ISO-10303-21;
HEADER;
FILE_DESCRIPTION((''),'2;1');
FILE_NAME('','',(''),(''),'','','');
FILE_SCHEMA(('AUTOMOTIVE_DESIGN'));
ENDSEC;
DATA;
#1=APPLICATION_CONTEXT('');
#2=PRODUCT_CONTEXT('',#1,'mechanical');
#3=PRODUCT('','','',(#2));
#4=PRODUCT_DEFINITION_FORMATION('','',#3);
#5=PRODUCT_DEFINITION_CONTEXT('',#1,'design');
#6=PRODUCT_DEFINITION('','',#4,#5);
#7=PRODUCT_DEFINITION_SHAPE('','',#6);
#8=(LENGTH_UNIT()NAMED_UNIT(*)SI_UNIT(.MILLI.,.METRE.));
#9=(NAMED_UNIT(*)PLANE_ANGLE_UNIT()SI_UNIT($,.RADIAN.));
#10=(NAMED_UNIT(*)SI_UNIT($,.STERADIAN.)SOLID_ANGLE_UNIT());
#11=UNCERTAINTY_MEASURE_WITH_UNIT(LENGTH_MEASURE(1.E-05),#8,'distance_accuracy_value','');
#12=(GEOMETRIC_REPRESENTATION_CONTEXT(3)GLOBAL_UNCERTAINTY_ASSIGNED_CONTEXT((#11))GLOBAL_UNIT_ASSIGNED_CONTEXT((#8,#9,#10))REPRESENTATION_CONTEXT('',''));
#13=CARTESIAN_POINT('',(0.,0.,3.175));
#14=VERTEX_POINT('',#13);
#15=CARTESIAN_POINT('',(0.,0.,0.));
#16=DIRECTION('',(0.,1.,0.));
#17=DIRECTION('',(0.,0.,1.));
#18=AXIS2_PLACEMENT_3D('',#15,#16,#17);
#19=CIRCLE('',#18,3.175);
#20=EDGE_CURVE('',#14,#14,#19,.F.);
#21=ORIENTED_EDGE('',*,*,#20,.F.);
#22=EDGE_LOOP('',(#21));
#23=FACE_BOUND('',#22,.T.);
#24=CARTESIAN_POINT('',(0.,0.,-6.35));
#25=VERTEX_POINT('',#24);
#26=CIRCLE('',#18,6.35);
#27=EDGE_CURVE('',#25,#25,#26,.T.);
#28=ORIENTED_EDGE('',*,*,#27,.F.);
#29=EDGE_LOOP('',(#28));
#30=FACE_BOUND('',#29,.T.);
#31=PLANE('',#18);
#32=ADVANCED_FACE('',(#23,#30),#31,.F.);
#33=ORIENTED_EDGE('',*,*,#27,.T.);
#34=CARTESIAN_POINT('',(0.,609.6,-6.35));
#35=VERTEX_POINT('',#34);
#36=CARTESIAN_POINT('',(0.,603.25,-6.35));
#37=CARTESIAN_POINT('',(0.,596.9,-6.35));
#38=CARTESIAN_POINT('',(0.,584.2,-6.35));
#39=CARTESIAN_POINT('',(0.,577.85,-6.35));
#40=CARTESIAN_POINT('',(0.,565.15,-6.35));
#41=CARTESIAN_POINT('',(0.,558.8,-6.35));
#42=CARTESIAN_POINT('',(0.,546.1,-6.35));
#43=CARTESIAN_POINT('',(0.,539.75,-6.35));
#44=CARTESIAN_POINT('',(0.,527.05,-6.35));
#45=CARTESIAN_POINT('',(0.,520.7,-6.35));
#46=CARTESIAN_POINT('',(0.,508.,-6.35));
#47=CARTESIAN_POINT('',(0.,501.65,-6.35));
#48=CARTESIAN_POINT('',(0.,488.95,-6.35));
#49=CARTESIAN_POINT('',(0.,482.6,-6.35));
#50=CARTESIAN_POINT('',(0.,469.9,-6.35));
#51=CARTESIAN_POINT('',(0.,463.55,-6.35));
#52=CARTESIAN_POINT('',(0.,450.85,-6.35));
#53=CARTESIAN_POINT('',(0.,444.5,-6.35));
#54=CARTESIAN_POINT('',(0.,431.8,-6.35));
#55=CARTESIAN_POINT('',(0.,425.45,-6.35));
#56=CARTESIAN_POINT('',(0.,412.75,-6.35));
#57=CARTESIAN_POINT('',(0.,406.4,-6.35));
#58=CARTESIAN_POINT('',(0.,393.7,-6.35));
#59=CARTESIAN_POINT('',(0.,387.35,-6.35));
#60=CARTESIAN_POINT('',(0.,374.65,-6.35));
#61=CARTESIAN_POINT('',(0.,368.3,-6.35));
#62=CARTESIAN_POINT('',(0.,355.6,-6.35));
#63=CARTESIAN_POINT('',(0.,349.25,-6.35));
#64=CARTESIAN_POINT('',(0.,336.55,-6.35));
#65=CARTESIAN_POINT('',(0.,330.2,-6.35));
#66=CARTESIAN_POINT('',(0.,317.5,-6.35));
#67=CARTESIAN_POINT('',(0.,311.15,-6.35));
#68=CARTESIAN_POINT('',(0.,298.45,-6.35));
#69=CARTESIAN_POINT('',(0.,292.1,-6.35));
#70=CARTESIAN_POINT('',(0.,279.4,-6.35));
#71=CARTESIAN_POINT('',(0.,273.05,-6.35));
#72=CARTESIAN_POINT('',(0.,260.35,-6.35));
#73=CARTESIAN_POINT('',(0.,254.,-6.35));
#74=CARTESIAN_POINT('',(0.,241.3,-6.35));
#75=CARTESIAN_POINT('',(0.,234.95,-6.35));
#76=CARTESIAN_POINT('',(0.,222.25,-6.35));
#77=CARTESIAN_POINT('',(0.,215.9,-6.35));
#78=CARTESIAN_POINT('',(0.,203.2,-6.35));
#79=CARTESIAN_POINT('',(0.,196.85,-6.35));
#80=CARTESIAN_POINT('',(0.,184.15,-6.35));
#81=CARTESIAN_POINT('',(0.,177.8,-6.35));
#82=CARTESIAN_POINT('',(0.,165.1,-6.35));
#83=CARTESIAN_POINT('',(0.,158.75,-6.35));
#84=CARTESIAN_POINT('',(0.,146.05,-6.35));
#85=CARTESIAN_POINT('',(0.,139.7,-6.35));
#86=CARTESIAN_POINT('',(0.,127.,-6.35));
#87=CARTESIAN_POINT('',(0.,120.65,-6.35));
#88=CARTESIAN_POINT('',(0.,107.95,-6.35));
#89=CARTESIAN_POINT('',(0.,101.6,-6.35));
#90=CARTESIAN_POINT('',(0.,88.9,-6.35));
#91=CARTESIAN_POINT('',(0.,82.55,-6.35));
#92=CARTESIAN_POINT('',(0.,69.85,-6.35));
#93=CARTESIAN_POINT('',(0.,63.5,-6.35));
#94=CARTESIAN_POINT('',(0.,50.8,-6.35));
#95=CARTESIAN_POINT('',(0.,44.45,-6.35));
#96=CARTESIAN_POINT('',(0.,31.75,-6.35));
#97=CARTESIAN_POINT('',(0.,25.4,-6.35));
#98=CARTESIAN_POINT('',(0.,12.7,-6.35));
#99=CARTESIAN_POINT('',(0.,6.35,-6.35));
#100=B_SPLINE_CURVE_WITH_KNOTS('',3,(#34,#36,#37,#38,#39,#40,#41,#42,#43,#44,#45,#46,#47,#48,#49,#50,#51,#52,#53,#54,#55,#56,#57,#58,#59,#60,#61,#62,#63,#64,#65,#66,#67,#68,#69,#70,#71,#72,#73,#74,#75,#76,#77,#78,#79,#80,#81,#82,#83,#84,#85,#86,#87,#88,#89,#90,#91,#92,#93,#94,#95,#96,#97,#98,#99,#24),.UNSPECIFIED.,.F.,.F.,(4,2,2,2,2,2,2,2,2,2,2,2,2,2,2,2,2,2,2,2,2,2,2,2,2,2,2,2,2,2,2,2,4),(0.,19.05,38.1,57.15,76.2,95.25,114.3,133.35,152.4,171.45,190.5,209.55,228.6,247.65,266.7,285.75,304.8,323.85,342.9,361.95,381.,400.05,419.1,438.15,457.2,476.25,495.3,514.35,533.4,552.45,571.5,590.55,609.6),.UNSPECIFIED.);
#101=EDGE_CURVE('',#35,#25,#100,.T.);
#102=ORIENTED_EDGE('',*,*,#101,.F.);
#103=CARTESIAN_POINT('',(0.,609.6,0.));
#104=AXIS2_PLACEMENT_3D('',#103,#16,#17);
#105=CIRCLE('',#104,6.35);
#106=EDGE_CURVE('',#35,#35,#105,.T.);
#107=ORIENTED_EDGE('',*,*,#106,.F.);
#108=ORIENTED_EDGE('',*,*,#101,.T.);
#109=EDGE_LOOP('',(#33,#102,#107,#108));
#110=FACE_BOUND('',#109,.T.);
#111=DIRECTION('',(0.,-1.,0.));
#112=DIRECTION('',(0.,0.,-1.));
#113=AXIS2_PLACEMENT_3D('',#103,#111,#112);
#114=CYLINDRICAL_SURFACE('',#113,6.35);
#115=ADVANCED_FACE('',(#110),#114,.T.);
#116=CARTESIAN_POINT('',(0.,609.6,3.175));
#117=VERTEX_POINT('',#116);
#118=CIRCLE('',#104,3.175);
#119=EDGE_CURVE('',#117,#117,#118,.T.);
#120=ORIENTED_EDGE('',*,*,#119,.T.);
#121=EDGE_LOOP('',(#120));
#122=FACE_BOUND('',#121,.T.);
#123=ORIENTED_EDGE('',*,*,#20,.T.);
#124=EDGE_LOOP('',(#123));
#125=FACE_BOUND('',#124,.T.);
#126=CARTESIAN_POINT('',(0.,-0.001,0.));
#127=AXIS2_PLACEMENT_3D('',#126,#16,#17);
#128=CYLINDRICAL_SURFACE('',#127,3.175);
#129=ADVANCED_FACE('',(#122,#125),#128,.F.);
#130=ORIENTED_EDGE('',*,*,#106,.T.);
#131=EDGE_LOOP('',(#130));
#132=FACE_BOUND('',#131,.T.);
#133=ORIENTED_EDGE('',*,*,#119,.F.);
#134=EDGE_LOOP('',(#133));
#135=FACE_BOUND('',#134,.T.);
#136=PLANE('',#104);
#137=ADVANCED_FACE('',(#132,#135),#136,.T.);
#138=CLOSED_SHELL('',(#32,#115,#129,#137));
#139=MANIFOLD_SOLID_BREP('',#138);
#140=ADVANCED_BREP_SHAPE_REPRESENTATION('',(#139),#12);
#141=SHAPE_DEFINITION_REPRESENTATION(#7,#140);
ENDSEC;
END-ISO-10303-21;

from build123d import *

# Parameters (mm, degrees)
SKETCH1_R           = 6.35
BOSS_EXTRUDE1_DEPTH = 609.6
CUT_EXTRUDE1_REACH  = 611.666
SKETCH2_R           = 3.175


with BuildPart() as part:
    # Sketch1 → Boss-Extrude1 (new body)
    with BuildSketch(Plane(origin=(0, 0, 0), x_dir=(1, 0, 0), z_dir=(0, 1, 0))):
        with Locations(Location((0, 0, 0), (0, 0, 90))):
            Circle(SKETCH1_R)
    extrude(amount=BOSS_EXTRUDE1_DEPTH)

    # Sketch2 → Cut-Extrude1 (cut, up to next)
    with BuildSketch(Plane(origin=(0, 609.6, 0), x_dir=(1, 0, 0), z_dir=(0, 1, 0)), mode=Mode.PRIVATE) as cut_extrude1_sk1:
        with Locations(Location((0, 0, 0), (0, 0, 270))):
            Circle(SKETCH2_R)
    cut_extrude1_tool1 = extrude(cut_extrude1_sk1.sketch, amount=-CUT_EXTRUDE1_REACH, mode=Mode.PRIVATE) & part.part
    add(cut_extrude1_tool1.solids().sort_by_distance((0, 609.6, 0))[0], mode=Mode.SUBTRACT)


solid = part.part
